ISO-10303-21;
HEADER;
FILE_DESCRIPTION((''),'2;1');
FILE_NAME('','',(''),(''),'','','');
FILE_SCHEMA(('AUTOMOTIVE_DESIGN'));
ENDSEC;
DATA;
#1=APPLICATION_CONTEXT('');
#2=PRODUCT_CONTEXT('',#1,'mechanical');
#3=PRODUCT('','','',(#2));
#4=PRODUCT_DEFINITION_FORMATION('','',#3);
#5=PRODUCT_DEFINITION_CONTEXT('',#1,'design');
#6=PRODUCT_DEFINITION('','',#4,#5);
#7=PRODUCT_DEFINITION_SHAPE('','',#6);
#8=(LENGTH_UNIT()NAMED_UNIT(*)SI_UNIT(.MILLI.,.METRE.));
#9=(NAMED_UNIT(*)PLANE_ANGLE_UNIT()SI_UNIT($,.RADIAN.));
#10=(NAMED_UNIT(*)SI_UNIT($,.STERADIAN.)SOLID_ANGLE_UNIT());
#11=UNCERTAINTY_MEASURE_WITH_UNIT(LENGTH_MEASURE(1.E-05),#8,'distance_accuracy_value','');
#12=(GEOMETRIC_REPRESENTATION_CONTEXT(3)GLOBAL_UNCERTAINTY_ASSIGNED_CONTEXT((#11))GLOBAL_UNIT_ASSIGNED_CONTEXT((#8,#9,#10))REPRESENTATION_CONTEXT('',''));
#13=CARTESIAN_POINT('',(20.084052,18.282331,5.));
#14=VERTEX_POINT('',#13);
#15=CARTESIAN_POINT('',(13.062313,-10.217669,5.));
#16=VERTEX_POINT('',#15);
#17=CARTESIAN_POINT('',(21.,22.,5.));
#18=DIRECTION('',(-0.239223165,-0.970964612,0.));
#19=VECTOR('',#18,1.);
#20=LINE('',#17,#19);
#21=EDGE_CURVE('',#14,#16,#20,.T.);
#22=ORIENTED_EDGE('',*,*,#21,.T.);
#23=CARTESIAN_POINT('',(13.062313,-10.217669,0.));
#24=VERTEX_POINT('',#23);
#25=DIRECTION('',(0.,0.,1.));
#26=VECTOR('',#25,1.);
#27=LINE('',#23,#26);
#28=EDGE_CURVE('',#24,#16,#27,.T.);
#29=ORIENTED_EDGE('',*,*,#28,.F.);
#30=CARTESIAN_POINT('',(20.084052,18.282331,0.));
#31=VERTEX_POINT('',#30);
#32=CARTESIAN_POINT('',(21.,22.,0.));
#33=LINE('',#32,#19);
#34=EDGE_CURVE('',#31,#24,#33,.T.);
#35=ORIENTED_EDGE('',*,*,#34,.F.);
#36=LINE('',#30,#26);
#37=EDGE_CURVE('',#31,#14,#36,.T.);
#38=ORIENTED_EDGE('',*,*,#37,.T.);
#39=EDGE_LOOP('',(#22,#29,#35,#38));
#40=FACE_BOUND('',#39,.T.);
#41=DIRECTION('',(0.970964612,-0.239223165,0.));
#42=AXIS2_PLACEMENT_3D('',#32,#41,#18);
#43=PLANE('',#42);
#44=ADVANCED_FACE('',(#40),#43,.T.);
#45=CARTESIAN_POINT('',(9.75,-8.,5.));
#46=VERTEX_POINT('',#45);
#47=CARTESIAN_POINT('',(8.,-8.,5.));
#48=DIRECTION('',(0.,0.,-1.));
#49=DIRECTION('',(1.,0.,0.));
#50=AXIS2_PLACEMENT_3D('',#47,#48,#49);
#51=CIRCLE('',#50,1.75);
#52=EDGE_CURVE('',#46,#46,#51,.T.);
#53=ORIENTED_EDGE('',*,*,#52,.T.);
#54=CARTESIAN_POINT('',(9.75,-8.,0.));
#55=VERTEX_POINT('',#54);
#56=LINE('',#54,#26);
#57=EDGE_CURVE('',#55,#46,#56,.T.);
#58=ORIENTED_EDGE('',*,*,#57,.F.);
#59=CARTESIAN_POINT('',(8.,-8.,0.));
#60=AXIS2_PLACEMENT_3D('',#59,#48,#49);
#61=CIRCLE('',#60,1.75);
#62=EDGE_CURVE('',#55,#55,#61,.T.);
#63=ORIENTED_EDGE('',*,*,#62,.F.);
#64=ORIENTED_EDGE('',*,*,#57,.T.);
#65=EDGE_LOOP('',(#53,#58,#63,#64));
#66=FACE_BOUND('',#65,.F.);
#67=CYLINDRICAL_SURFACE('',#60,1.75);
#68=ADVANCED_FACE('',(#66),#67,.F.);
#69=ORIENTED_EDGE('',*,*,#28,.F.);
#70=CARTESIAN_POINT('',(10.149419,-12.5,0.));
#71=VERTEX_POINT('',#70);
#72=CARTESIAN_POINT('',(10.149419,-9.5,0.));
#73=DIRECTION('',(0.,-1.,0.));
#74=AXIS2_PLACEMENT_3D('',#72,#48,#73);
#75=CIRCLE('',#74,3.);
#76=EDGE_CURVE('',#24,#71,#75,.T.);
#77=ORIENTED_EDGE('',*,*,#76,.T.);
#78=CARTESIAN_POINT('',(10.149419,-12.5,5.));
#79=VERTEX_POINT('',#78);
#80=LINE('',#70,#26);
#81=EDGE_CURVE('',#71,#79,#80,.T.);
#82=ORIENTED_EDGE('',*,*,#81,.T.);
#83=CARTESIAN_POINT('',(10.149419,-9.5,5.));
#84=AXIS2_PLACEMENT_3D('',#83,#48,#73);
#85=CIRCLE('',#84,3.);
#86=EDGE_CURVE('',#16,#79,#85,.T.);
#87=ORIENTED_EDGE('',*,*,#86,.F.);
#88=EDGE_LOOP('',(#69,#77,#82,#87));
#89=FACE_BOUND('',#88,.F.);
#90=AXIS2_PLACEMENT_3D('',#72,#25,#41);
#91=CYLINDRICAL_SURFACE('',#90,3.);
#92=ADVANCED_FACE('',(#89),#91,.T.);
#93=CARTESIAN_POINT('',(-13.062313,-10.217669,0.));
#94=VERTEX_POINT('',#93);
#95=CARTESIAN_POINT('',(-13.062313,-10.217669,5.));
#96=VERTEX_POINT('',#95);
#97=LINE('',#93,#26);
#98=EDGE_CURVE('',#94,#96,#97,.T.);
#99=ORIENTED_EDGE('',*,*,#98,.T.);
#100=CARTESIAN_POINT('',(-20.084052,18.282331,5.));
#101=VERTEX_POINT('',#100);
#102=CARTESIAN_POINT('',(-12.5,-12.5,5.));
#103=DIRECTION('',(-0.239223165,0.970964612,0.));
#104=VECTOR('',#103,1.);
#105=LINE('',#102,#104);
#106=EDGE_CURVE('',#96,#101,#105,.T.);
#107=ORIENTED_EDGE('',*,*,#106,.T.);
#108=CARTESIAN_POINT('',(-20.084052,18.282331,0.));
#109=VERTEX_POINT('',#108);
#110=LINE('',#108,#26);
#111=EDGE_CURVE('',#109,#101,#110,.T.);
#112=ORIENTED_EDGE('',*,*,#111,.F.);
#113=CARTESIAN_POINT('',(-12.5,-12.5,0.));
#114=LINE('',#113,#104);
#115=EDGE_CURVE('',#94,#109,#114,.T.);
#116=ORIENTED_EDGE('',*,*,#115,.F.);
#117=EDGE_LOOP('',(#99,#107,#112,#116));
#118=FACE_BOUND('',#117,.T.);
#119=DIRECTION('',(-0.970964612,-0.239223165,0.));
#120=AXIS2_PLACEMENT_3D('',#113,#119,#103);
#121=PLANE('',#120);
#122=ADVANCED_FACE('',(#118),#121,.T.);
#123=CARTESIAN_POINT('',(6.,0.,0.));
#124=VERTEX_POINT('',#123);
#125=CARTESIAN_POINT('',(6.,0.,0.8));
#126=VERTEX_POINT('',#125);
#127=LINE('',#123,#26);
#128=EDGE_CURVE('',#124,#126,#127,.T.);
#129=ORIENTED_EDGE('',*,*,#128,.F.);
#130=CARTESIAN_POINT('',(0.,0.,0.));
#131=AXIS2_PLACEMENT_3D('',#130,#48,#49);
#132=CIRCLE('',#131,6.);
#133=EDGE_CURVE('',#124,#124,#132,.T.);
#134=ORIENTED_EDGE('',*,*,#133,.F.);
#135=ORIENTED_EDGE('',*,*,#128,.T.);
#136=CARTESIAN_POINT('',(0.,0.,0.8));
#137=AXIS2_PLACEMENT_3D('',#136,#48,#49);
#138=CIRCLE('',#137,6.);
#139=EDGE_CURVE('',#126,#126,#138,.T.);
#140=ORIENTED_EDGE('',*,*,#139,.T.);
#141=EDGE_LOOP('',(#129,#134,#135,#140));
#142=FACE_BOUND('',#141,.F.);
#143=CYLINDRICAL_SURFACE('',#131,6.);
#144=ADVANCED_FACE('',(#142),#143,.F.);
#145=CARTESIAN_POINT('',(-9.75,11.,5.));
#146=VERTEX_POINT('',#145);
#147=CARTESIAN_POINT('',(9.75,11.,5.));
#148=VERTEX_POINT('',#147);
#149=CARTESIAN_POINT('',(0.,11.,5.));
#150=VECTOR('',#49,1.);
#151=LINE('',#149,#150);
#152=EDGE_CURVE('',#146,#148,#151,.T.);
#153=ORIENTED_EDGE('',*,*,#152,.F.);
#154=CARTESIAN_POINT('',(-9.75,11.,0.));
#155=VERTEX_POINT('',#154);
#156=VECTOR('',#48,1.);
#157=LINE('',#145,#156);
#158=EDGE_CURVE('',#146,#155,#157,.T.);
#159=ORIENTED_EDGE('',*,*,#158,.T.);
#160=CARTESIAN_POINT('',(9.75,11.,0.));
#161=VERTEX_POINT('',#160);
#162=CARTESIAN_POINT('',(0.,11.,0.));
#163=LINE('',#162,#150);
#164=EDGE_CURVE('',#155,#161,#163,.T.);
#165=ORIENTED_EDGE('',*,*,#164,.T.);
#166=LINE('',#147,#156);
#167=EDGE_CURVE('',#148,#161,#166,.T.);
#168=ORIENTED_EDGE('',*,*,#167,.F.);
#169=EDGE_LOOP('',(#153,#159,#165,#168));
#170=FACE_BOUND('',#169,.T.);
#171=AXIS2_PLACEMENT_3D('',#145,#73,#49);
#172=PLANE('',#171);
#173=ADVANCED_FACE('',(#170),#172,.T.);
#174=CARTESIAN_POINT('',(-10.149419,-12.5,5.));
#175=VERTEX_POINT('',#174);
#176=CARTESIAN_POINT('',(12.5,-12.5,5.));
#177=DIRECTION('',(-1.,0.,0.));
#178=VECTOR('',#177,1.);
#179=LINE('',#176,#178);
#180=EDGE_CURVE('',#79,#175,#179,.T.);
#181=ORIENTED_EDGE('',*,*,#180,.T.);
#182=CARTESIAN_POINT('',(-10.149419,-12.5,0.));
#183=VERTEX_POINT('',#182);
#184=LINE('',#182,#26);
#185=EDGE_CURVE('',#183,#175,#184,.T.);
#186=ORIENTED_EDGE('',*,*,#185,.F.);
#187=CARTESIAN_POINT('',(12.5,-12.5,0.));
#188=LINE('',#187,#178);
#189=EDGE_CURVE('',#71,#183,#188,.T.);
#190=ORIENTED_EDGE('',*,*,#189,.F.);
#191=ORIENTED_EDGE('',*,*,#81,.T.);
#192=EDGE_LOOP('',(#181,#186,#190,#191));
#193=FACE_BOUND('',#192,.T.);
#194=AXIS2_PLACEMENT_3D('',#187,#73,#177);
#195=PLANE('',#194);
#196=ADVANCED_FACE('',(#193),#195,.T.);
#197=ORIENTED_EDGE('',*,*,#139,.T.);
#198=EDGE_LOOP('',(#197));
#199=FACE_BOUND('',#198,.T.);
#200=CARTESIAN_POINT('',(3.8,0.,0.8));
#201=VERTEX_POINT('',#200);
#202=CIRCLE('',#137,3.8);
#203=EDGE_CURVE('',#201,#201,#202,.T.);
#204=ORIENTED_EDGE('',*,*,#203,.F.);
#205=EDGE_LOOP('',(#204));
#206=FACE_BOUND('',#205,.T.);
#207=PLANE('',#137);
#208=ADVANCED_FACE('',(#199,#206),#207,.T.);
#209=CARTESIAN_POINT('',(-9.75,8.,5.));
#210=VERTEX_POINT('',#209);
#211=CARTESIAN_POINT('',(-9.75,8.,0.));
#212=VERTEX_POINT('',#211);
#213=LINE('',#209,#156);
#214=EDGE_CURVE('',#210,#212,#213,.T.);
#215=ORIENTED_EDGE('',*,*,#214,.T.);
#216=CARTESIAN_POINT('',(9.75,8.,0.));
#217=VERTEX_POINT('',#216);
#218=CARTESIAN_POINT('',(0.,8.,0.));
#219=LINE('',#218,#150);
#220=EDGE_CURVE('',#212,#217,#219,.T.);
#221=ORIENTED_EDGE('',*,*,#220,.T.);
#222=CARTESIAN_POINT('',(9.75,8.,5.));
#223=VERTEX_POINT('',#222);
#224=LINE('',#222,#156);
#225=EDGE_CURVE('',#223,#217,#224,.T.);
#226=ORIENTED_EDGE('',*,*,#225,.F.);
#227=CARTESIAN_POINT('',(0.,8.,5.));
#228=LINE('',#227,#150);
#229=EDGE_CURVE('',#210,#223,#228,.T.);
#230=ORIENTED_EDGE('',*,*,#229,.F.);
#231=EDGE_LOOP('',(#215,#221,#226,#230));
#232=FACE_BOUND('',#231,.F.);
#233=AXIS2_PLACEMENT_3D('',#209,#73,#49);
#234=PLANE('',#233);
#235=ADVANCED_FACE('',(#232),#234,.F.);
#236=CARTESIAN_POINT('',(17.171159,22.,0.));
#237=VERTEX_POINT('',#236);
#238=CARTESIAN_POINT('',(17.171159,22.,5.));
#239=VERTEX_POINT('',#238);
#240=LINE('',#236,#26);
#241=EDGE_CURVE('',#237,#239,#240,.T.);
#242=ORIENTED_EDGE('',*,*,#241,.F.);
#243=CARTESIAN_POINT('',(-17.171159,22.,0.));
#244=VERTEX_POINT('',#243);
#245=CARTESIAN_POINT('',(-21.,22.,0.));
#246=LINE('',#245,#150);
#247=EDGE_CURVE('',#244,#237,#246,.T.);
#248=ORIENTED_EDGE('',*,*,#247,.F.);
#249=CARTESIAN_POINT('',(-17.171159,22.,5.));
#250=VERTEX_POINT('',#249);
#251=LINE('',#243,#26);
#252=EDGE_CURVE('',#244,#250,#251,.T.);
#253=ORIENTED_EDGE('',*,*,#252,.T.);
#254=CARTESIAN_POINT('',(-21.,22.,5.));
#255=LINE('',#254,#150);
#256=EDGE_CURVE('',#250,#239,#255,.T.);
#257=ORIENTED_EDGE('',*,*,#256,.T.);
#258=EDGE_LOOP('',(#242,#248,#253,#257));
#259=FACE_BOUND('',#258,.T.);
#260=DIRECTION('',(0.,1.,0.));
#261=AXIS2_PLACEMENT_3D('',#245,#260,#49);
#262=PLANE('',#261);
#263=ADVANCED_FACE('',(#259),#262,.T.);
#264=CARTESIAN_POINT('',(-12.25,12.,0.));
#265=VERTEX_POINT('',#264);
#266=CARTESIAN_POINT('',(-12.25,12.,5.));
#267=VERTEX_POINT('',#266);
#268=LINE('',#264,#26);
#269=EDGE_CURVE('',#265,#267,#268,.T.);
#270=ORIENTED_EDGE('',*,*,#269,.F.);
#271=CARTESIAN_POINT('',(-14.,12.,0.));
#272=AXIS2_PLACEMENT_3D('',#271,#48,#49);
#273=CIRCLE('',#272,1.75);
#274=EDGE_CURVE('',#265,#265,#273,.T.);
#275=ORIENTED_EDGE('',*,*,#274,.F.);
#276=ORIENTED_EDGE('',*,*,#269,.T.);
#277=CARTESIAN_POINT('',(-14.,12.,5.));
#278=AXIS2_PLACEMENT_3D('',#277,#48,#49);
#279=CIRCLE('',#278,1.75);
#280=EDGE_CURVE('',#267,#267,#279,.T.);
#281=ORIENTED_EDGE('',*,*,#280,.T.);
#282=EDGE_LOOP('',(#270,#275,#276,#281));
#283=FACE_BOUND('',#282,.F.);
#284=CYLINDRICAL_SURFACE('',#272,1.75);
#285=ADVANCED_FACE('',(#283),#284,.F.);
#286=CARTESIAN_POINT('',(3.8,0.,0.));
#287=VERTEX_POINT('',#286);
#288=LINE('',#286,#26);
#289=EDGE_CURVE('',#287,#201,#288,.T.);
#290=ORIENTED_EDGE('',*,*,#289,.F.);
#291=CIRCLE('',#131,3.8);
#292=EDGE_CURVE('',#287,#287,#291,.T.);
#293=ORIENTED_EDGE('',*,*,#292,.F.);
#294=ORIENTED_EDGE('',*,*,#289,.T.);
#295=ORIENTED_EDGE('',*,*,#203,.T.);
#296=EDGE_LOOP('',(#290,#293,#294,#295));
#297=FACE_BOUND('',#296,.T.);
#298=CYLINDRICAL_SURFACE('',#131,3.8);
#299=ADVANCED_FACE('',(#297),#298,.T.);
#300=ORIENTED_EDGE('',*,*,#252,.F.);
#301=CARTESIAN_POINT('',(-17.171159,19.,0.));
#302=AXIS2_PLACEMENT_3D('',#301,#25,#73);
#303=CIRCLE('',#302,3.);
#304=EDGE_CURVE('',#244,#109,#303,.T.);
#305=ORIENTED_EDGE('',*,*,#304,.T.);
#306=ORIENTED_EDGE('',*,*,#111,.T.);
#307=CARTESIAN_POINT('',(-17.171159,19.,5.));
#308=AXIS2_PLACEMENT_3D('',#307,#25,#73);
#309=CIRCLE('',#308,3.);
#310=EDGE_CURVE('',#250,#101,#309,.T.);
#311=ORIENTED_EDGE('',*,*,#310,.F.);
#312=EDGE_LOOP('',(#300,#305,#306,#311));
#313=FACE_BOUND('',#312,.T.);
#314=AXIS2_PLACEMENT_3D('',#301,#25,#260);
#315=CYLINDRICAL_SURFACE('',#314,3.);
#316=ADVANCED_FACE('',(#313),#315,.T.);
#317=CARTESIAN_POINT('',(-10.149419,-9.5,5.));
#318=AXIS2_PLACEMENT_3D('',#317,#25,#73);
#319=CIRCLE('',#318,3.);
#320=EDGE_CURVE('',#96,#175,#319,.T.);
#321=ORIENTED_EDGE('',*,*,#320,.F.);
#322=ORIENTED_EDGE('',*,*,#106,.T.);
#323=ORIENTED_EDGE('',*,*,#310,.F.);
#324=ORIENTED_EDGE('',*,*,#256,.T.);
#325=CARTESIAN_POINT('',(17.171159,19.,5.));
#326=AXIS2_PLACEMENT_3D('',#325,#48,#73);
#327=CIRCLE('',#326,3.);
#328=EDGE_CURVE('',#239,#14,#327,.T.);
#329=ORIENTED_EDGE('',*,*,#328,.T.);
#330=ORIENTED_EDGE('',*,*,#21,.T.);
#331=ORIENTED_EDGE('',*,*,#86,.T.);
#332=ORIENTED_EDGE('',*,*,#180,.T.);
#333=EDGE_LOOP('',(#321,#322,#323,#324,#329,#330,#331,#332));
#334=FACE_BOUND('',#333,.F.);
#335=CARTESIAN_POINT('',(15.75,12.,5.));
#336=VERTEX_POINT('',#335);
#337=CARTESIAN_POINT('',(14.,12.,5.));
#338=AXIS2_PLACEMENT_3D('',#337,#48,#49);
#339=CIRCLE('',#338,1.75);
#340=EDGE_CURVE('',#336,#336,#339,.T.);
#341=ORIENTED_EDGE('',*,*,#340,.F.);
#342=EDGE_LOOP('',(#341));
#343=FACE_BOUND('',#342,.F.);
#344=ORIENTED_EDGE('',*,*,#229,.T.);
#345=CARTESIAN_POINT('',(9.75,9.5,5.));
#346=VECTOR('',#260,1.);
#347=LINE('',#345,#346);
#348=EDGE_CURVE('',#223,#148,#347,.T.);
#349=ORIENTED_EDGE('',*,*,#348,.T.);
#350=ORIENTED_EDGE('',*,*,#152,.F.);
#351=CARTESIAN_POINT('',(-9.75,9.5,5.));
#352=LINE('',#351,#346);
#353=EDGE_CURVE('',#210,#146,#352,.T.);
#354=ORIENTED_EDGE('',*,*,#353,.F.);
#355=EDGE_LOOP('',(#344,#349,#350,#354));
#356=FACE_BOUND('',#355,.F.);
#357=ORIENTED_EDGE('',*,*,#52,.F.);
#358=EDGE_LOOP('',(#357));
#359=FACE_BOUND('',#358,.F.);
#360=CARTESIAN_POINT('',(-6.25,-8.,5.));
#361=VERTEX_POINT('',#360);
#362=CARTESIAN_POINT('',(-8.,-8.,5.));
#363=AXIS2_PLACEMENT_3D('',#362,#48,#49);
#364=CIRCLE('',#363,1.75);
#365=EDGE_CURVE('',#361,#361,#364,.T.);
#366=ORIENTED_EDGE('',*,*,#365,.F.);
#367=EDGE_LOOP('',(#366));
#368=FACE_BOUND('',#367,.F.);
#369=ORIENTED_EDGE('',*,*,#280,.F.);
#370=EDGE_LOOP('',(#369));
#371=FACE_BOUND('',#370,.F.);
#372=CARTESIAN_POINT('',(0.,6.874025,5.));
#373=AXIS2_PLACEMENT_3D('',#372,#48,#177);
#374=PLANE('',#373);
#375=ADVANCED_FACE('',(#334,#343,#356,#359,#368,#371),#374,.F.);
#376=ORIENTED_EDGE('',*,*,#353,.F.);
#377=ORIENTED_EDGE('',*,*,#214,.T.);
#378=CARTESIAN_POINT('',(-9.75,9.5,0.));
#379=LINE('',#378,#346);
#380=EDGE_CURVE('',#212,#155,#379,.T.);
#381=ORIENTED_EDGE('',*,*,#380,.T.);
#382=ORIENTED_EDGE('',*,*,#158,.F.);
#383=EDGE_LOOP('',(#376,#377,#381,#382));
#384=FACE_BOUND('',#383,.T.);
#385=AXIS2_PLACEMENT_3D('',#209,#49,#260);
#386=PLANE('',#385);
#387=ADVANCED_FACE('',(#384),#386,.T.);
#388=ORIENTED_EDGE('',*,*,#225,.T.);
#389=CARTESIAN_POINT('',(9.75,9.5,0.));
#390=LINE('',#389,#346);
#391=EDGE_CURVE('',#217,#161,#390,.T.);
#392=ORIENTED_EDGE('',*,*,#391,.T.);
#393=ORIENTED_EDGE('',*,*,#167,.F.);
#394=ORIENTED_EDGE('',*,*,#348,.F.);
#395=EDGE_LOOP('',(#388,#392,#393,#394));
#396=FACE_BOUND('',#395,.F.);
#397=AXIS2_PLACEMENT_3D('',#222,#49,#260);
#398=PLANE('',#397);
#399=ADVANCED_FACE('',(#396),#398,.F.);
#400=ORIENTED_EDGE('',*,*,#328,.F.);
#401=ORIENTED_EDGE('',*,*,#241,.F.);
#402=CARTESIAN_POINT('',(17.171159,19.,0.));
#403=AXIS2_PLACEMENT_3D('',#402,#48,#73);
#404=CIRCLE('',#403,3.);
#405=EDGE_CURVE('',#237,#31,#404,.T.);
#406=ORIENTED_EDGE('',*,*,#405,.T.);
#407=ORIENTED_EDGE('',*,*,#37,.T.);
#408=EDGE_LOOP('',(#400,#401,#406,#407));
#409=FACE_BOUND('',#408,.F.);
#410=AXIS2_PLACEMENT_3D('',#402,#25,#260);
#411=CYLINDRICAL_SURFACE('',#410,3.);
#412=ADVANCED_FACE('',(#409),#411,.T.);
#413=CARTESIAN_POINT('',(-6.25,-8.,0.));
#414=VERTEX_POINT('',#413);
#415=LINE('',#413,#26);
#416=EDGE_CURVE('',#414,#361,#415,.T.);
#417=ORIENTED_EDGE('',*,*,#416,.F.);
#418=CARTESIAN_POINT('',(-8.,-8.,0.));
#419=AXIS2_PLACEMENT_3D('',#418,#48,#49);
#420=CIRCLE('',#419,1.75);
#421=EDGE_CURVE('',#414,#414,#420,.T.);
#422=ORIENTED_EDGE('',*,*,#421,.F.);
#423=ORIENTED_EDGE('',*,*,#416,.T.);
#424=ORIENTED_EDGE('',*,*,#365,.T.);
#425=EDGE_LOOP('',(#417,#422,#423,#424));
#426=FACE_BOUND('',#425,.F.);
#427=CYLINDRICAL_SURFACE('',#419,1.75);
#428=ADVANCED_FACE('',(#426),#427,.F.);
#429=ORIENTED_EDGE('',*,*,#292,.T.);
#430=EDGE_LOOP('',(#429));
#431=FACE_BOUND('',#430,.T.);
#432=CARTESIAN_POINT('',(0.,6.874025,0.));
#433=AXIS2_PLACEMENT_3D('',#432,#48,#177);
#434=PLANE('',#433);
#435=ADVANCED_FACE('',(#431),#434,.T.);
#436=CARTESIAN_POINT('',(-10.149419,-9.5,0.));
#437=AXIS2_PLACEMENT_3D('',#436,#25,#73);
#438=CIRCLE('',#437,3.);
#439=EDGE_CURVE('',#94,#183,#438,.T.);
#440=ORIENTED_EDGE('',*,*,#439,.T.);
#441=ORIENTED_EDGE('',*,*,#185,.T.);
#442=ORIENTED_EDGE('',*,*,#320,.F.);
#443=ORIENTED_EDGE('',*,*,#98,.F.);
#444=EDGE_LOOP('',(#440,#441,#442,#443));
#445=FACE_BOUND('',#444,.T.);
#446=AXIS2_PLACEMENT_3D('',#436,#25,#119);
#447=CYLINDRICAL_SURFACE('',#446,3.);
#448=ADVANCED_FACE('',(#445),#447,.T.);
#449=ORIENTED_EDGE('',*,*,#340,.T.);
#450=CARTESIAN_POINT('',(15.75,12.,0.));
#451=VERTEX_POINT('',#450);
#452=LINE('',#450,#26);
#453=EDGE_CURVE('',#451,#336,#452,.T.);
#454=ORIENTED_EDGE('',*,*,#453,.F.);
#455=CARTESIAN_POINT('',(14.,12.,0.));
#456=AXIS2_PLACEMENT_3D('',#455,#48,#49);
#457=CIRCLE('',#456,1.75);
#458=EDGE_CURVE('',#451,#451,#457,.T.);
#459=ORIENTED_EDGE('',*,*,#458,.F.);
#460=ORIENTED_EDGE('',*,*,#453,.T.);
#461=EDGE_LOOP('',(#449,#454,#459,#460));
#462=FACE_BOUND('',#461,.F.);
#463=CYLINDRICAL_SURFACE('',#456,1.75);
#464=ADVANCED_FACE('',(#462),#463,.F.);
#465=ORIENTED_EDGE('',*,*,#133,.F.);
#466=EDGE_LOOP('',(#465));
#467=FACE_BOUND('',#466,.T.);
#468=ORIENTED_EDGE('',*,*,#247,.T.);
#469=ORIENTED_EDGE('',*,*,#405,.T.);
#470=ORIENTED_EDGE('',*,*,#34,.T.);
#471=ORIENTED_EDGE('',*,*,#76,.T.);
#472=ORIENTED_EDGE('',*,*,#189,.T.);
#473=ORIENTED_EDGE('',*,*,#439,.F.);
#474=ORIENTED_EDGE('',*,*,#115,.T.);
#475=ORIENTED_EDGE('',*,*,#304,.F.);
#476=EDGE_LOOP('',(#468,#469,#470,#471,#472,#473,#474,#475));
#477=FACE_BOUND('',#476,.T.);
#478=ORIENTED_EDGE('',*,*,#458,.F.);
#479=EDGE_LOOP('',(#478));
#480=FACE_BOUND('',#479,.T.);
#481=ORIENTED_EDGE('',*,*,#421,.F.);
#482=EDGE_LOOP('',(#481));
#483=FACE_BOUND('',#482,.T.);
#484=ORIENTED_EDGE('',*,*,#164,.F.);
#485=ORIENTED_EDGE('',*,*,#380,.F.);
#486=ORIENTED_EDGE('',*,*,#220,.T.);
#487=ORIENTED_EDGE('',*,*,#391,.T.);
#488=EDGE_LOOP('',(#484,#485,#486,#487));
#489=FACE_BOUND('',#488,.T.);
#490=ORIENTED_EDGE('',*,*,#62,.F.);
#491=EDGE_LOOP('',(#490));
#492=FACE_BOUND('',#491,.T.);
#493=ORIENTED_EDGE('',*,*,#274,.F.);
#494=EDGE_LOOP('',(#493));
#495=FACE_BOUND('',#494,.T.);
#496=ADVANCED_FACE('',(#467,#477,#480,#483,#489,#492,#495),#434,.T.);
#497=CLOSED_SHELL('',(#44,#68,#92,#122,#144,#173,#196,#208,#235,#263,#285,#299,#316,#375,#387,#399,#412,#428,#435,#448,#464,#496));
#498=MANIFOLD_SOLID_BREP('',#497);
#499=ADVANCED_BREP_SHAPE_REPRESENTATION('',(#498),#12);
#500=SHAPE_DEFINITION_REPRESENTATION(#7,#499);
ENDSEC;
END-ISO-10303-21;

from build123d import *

# Parameters (mm, degrees)
PAD_DEPTH       = 5
SKETCH001_R     = 6
SKETCH001_R_2   = 3.8
POCKET_DEPTH    = 0.8
SKETCH004_W     = 19.5
SKETCH004_H     = 3
POCKET001_DEPTH = 5
SKETCH011_R     = 1.75
POCKET002_DEPTH = 5
FILLET_R        = 3


with BuildPart() as part:
    # Sketch → Pad (new body)
    with BuildSketch(Plane.XY):
        Polygon((-21, 22), (21, 22), (12.5, -12.5), (-12.5, -12.5), align=None)
    extrude(amount=PAD_DEPTH)

    # Sketch001 → Pocket (cut)
    with BuildSketch(Plane(origin=(0, 0, 0), x_dir=(1, 0, 0), z_dir=(0, 0, -1))):
        Circle(SKETCH001_R)
        Circle(SKETCH001_R_2, mode=Mode.SUBTRACT)
    extrude(amount=-POCKET_DEPTH, mode=Mode.SUBTRACT)

    # Sketch004 → Pocket001 (cut)
    with BuildSketch(Plane.XY.offset(5)):
        with Locations((0, 9.5)):
            Rectangle(SKETCH004_W, SKETCH004_H)
    extrude(amount=-POCKET001_DEPTH, mode=Mode.SUBTRACT)

    # Sketch011 → Pocket002 (cut)
    with BuildSketch(Plane(origin=(0, 0, 0), x_dir=(1, 0, 0), z_dir=(0, 0, -1))):
        with Locations((-8, 8)):
            Circle(SKETCH011_R)
        with Locations((8, 8)):
            Circle(SKETCH011_R)
        with Locations((-14, -12)):
            Circle(SKETCH011_R)
        with Locations((14, -12)):
            Circle(SKETCH011_R)
    extrude(amount=-POCKET002_DEPTH, mode=Mode.SUBTRACT)

    # Fillet
    fillet_edges = [part.edges().sort_by_distance(p)[0] for p in [
        (21, 22, 2.5),
        (-21, 22, 2.5),
        (-12.5, -12.5, 2.5),
        (12.5, -12.5, 2.5),
    ]]
    fillet(fillet_edges, radius=FILLET_R)


solid = part.part
